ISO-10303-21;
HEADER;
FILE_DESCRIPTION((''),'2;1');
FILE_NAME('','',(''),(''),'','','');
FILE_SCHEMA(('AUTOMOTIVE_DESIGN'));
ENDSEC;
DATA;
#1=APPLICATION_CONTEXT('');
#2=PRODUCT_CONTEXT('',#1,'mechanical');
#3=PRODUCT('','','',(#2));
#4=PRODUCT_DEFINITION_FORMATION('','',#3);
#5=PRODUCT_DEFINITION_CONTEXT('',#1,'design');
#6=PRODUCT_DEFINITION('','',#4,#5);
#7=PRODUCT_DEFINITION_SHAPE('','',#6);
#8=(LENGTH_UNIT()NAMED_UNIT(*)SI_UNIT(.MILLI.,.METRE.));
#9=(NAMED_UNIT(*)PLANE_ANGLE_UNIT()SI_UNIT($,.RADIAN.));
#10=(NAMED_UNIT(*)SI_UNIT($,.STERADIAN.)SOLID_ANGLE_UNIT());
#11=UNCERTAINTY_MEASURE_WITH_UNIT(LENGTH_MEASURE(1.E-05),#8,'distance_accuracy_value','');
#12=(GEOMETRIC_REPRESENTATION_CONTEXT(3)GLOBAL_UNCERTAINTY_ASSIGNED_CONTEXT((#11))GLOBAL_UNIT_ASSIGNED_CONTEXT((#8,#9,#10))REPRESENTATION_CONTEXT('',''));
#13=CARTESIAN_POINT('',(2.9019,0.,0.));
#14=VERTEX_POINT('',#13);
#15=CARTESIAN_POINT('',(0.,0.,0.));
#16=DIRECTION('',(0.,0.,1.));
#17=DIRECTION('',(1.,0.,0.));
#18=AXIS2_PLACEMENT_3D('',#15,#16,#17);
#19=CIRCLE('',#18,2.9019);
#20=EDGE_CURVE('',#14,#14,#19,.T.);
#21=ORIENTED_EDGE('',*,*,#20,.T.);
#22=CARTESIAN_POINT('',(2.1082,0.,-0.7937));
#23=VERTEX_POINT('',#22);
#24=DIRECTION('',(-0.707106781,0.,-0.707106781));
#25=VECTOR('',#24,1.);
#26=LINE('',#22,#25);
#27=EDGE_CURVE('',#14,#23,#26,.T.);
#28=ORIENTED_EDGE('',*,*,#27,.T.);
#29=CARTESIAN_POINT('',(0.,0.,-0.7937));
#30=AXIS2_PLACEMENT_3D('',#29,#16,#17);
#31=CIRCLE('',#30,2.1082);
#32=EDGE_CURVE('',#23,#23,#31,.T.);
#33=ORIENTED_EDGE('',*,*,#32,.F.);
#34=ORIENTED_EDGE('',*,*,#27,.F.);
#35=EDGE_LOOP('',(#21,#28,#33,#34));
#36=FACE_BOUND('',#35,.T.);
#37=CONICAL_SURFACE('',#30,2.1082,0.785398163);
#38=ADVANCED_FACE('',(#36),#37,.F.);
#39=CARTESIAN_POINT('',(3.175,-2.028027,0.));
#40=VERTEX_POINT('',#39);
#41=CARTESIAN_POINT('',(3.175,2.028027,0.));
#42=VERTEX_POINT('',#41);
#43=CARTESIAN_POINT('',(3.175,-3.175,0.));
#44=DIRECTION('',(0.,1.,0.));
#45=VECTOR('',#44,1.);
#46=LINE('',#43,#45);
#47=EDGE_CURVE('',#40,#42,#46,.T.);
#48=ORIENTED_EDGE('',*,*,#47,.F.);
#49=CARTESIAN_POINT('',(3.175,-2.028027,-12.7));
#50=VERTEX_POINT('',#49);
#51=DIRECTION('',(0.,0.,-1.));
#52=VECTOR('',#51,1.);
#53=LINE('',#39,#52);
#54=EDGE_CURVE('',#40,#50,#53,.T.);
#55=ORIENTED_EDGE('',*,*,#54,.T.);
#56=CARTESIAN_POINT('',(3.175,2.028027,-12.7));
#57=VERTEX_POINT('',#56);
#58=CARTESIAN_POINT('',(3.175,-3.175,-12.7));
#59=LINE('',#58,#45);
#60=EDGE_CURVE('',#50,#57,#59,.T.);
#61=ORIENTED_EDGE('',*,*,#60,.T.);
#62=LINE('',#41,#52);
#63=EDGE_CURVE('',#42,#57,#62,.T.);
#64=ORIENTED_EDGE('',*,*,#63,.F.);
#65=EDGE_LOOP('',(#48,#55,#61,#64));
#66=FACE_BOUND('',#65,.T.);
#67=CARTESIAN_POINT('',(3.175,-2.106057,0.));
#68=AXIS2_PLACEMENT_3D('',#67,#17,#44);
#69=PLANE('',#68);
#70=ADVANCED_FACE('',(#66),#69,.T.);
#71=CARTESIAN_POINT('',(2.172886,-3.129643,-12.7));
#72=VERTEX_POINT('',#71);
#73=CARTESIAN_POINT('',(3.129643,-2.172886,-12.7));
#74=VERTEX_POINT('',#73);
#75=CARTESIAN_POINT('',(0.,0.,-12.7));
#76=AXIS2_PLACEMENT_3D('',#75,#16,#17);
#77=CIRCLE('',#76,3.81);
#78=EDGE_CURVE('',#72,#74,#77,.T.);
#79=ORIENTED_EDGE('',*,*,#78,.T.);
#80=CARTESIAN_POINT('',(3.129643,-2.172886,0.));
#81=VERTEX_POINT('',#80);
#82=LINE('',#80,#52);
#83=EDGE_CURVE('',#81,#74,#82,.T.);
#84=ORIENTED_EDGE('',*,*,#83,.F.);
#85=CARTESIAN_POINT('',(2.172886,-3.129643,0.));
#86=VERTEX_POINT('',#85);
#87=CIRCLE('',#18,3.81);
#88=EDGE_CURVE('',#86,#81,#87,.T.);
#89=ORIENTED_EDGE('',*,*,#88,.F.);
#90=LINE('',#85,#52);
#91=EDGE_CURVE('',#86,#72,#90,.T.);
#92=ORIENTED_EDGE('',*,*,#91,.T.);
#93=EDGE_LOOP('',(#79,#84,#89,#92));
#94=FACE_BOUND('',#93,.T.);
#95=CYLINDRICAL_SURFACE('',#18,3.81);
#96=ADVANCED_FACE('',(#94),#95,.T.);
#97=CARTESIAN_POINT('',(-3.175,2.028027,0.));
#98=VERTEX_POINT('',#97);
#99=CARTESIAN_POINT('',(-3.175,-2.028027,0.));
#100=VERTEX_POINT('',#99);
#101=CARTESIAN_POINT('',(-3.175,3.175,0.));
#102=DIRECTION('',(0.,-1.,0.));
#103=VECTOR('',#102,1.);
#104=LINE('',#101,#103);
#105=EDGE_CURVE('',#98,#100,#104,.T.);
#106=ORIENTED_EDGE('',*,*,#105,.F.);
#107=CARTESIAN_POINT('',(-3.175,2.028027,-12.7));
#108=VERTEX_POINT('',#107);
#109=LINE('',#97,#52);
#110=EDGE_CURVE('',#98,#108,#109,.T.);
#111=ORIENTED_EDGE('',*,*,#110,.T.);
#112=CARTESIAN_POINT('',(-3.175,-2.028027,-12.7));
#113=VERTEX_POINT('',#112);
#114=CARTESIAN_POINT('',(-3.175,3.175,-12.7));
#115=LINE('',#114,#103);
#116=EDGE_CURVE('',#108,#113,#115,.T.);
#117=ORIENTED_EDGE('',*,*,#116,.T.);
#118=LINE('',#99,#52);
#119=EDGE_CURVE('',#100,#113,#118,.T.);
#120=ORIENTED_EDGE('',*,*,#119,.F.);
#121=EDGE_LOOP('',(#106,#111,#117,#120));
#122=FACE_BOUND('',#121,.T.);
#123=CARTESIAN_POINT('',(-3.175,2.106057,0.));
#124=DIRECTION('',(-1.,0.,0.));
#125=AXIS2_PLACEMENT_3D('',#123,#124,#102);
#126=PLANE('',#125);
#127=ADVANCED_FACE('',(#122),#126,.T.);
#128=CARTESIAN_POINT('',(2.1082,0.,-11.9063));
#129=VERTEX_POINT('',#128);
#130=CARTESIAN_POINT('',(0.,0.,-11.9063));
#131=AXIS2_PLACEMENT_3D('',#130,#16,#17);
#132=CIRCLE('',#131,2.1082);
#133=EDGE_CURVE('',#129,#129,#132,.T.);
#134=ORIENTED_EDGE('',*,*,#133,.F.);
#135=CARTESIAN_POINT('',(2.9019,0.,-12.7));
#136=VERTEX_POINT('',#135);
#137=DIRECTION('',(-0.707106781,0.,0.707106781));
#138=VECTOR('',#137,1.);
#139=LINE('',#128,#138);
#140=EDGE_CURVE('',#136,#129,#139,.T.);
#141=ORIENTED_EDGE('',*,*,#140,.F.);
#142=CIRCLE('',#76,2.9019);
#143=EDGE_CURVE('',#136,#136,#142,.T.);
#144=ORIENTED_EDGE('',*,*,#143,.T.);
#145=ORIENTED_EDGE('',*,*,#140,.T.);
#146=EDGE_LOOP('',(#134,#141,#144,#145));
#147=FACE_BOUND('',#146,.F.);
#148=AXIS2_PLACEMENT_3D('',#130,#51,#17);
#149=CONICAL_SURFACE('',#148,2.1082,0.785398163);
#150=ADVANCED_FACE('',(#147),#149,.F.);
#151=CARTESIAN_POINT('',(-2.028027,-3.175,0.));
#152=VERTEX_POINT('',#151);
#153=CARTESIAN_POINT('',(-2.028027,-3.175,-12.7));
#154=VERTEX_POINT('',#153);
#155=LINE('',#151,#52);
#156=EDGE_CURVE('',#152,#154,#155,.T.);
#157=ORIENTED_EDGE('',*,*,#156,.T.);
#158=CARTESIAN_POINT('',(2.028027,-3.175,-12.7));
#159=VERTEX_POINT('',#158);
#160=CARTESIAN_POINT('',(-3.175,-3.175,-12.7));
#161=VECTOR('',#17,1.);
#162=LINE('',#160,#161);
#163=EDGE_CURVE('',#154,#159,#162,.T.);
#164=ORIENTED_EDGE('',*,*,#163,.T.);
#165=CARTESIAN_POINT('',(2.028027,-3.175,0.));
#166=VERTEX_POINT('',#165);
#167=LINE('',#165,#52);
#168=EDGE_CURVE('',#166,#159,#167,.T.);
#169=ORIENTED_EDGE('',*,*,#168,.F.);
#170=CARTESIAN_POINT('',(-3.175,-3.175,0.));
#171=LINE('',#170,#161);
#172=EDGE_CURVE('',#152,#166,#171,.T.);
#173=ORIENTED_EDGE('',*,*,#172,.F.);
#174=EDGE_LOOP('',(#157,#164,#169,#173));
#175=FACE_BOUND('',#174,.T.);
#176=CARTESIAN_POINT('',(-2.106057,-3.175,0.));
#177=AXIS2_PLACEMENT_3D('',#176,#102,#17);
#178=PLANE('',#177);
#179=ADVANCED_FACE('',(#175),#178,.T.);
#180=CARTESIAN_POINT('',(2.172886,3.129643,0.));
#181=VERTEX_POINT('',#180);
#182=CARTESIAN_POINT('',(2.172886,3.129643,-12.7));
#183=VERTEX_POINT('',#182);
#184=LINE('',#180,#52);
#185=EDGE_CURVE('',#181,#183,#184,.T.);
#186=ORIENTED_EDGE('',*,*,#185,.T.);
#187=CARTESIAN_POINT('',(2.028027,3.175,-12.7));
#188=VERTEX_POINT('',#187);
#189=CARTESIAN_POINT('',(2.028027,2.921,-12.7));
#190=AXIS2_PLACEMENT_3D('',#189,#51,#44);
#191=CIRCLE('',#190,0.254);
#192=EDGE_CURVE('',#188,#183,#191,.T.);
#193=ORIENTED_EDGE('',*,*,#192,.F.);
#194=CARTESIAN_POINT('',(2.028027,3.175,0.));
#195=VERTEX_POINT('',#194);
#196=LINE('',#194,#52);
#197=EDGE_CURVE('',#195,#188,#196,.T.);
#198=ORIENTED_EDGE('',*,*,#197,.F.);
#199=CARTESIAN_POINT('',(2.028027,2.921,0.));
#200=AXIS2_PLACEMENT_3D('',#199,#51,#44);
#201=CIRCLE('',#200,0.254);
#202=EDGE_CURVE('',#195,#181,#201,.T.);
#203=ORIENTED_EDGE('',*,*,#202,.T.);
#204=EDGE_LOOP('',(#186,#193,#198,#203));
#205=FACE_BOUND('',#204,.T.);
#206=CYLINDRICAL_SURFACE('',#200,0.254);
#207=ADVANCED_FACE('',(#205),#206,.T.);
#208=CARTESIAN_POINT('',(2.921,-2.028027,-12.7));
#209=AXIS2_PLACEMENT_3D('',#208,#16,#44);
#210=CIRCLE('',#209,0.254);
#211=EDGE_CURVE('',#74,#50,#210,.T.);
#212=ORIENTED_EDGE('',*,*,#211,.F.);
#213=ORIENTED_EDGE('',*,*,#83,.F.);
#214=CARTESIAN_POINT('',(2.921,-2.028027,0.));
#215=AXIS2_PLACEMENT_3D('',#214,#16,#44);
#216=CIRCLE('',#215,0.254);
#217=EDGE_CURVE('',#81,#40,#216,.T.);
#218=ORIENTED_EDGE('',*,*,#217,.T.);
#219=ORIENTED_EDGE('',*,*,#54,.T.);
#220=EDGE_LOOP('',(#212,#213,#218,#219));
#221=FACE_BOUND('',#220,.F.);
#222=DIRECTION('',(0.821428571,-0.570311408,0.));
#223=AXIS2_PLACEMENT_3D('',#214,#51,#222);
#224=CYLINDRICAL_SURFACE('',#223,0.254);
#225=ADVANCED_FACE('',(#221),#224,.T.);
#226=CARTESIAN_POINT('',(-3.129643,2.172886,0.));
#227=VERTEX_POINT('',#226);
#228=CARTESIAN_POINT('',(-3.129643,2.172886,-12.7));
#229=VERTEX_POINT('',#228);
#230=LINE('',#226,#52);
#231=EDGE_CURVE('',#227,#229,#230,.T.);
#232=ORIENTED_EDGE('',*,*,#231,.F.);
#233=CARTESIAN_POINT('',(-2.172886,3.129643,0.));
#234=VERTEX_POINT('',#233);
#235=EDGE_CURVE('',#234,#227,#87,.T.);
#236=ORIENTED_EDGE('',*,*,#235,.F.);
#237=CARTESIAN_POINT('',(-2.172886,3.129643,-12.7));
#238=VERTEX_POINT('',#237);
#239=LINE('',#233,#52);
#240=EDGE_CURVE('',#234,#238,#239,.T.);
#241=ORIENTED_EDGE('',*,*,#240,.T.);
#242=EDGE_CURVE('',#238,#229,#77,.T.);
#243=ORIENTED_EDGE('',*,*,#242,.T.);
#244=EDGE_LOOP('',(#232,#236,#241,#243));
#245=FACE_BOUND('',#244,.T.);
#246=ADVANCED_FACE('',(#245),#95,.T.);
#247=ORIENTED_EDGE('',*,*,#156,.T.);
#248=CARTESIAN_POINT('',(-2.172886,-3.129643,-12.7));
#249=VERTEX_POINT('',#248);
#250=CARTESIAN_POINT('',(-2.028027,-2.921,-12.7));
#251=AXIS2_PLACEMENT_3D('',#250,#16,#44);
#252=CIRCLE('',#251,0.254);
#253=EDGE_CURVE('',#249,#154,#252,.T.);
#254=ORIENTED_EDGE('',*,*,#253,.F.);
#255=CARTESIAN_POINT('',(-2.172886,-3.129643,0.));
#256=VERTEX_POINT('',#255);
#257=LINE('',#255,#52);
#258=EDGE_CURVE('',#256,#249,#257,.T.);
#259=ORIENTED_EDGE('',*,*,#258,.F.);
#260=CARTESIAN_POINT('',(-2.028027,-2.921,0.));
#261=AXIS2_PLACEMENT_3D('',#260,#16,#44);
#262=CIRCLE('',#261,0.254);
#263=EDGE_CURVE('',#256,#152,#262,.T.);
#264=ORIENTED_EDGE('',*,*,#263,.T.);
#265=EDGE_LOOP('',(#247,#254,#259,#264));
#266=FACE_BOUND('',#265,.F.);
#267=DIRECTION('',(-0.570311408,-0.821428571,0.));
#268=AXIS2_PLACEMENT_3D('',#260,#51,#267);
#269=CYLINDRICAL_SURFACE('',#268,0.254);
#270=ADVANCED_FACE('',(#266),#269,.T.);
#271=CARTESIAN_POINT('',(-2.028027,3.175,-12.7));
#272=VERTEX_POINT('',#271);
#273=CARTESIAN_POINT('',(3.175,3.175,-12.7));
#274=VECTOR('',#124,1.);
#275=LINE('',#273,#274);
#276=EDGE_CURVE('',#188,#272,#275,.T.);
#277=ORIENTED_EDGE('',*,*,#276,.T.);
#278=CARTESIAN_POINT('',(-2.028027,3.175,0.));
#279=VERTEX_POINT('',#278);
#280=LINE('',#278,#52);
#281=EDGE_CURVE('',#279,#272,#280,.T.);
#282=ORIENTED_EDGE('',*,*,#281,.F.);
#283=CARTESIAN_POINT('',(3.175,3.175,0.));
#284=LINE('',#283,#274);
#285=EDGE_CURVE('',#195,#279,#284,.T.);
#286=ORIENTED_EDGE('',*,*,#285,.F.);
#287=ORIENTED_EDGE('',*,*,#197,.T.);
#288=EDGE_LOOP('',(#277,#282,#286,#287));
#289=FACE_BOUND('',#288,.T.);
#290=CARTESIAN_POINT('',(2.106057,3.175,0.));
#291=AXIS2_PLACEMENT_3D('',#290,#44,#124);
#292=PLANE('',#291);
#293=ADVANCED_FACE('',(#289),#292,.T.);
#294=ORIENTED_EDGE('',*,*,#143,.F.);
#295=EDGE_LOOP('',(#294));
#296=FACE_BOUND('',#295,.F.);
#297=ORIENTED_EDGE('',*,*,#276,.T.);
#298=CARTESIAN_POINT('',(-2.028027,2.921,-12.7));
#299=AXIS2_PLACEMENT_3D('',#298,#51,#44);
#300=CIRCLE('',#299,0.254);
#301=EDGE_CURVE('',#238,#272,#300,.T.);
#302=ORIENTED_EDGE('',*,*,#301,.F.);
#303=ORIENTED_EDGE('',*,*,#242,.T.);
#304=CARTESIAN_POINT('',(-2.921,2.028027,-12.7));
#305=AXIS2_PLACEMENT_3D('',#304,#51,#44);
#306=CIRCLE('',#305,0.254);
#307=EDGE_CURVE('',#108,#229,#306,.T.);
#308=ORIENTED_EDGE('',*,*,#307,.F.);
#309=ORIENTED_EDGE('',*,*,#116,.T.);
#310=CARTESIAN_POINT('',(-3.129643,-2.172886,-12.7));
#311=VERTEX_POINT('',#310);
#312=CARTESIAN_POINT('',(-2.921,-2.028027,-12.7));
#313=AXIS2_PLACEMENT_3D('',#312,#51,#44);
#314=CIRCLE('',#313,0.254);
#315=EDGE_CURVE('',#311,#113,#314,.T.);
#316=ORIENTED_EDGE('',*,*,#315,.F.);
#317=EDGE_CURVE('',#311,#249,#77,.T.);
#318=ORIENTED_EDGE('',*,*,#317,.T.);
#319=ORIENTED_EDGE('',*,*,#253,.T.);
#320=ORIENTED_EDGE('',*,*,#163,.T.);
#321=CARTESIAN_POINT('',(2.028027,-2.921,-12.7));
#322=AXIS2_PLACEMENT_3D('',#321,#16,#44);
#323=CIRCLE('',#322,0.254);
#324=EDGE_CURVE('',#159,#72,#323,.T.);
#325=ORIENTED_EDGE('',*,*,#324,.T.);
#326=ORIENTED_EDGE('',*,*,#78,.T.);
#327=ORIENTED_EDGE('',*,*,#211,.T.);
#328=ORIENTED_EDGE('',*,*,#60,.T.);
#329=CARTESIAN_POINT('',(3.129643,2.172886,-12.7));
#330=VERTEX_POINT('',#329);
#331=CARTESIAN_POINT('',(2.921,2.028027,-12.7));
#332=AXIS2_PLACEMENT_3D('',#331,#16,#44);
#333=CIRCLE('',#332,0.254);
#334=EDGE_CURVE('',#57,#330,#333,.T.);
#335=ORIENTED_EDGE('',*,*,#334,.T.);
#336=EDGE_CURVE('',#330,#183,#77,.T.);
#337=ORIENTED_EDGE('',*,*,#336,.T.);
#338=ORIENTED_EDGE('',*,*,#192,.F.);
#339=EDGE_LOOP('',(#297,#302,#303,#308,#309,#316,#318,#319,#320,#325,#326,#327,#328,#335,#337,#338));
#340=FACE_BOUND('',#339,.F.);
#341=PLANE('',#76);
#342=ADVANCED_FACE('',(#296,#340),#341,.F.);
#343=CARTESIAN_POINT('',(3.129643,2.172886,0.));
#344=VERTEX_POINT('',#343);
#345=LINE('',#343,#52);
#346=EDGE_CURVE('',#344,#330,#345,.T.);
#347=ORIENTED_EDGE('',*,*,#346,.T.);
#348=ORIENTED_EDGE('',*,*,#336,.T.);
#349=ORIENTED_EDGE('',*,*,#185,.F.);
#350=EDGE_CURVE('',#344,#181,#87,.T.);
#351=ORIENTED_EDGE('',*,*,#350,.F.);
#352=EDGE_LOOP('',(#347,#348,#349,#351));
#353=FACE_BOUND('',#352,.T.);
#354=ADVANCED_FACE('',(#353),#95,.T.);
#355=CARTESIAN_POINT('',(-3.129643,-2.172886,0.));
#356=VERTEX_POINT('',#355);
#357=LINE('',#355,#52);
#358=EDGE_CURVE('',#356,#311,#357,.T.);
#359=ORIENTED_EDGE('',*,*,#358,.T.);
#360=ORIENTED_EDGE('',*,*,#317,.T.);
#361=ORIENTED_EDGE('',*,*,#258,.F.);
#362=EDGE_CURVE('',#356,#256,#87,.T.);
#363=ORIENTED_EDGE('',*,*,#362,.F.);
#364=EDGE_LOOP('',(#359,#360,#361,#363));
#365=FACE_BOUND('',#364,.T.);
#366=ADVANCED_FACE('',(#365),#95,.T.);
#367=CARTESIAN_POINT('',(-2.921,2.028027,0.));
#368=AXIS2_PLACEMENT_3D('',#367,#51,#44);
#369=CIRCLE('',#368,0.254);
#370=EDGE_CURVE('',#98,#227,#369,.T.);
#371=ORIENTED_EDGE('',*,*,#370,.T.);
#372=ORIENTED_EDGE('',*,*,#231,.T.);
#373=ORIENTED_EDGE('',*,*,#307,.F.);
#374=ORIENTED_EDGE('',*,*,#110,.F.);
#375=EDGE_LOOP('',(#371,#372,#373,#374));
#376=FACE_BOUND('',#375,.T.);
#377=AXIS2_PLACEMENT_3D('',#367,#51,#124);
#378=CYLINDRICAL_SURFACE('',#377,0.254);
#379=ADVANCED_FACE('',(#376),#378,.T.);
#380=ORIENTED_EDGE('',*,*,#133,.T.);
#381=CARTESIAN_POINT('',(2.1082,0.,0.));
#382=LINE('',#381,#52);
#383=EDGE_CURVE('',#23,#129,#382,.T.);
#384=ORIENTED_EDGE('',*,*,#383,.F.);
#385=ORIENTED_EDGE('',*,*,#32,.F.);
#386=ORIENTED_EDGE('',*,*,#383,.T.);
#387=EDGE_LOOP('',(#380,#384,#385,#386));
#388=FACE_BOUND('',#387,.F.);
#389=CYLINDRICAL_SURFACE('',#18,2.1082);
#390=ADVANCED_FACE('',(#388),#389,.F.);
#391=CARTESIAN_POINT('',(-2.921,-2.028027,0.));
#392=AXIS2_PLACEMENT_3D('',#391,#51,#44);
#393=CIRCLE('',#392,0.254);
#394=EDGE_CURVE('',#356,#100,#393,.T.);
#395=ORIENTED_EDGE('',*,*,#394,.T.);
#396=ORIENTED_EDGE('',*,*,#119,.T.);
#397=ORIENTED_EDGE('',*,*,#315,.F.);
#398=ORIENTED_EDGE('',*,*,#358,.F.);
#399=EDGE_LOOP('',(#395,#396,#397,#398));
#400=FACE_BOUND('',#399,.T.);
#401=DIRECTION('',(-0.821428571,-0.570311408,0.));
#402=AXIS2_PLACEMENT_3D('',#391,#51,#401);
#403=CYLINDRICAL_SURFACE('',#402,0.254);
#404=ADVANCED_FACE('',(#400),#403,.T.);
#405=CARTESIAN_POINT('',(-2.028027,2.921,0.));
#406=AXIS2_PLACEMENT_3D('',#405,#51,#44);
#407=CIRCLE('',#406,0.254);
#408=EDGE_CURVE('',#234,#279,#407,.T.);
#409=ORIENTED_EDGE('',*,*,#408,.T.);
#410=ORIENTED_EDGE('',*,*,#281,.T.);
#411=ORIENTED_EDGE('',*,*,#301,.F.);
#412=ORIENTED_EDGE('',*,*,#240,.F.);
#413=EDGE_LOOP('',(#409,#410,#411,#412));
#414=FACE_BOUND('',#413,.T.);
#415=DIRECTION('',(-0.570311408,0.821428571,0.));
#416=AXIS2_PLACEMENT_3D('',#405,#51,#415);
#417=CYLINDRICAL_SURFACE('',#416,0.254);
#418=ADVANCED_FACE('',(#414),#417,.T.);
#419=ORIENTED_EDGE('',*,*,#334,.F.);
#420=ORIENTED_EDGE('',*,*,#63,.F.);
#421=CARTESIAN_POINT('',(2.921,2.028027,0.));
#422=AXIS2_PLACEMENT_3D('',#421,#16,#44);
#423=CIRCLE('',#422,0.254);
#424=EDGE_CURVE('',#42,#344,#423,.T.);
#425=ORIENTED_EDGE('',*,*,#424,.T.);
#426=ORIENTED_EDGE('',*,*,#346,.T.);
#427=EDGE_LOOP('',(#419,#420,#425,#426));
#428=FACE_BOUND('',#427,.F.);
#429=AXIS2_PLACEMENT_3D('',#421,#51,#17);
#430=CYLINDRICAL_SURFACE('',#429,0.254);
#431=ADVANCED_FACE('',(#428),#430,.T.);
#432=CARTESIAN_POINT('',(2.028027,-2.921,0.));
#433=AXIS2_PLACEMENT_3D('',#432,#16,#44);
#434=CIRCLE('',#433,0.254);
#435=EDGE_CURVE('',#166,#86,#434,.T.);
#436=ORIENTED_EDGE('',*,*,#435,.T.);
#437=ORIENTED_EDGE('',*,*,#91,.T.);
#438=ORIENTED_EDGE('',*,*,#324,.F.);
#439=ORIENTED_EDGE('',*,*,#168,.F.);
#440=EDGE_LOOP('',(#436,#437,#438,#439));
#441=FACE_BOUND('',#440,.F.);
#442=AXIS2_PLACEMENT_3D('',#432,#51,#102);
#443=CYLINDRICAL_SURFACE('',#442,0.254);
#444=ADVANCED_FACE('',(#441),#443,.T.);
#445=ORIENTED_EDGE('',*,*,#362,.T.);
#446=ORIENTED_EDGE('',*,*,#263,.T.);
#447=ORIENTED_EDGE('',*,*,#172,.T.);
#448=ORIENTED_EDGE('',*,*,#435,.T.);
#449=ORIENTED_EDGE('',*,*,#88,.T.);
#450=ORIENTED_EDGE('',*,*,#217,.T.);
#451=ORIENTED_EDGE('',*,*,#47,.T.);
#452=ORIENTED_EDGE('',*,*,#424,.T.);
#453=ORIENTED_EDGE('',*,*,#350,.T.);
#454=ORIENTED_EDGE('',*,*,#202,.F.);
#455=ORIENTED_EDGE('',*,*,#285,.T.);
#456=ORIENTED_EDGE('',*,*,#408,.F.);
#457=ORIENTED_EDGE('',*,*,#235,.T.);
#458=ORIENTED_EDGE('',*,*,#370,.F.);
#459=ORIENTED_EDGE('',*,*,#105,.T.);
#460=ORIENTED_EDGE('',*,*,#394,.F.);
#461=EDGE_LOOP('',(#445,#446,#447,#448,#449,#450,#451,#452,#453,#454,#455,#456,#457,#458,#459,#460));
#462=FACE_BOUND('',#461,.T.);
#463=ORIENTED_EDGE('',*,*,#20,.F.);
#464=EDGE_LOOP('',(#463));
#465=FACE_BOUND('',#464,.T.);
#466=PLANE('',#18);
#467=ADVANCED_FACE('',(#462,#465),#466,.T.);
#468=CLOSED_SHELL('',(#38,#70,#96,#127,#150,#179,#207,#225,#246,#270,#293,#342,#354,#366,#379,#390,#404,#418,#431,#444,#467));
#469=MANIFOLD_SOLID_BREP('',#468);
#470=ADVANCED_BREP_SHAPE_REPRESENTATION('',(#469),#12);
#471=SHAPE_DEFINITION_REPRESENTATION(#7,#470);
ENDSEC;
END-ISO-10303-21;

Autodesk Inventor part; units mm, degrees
ref_plane "YZ Plane" through (0, 0, 0) normal (1, 0, 0) x (0, 1, 0)
ref_plane "XZ Plane" through (0, 0, 0) normal (0, 1, 0) x (-1, 0, 0)
ref_plane "XY Plane" through (0, 0, 0) normal (0, 0, 1) x (1, 0, 0)
sketch "Sketch1" plane through (0, 0, 0) normal (0, 0, 1) x (1, 0, 0)
  line L0 (-3.175, -3.175) -> (3.175, -3.175)
  line L1 (3.175, -3.175) -> (3.175, 3.175)
  line L2 (3.175, 3.175) -> (-3.175, 3.175)
  line L3 (-3.175, 3.175) -> (-3.175, -3.175)
  line L4 (-3.175, -3.175) -> (3.175, 3.175) construction
  line L5 (3.175, -3.175) -> (-3.175, 3.175) construction
  circle A0 centre (0, 0) radius 3.81
  point P0 (2.1061, -3.175)
  point P1 (3.175, -2.1061)
  point P2 (3.175, 2.1061)
  point P3 (2.1061, 3.175)
  point P4 (-2.1061, 3.175)
  point P5 (-3.175, 2.1061)
  point P6 (-3.175, -2.1061)
  point P7 (-2.1061, -3.175)
  dimension "d0" = 7.62
  dimension "d1" = 6.35
extrude "Extrusion1" add sketch "Sketch1" against normal blind 12.7 contours A0 L3 L2 L1 L0
sketch "Sketch2" plane through (0, 0, 0) normal (0, 0, 1) x (1, 0, 0)
  arc A0 (2.1061, -3.175) -> (3.175, -2.1061) centre (0, 0) ccw construction
  circle A1 centre (0, 0) radius 2.1082
  dimension "d4" = 4.2164
extrude "Extrusion2" cut sketch "Sketch2" against normal blind 12.7
fillet "Fillet1" radius 0.254 8 edges at (2.1061, 3.175, -6.35) (3.175, 2.1061, -6.35) (3.175, -2.1061, -6.35) (2.1061, -3.175, -6.35) (-2.1061, -3.175, -6.35) (-3.175, -2.1061, -6.35) (-3.175, 2.1061, -6.35) (-2.1061, 3.175, -6.35)
chamfer "Chamfer1" distance 0.7937 angle 45 2 edges at (-2.1082, 0, 0) (-2.1082, 0, -12.7)
properties part number "HS Shaft Adapter Circle"
